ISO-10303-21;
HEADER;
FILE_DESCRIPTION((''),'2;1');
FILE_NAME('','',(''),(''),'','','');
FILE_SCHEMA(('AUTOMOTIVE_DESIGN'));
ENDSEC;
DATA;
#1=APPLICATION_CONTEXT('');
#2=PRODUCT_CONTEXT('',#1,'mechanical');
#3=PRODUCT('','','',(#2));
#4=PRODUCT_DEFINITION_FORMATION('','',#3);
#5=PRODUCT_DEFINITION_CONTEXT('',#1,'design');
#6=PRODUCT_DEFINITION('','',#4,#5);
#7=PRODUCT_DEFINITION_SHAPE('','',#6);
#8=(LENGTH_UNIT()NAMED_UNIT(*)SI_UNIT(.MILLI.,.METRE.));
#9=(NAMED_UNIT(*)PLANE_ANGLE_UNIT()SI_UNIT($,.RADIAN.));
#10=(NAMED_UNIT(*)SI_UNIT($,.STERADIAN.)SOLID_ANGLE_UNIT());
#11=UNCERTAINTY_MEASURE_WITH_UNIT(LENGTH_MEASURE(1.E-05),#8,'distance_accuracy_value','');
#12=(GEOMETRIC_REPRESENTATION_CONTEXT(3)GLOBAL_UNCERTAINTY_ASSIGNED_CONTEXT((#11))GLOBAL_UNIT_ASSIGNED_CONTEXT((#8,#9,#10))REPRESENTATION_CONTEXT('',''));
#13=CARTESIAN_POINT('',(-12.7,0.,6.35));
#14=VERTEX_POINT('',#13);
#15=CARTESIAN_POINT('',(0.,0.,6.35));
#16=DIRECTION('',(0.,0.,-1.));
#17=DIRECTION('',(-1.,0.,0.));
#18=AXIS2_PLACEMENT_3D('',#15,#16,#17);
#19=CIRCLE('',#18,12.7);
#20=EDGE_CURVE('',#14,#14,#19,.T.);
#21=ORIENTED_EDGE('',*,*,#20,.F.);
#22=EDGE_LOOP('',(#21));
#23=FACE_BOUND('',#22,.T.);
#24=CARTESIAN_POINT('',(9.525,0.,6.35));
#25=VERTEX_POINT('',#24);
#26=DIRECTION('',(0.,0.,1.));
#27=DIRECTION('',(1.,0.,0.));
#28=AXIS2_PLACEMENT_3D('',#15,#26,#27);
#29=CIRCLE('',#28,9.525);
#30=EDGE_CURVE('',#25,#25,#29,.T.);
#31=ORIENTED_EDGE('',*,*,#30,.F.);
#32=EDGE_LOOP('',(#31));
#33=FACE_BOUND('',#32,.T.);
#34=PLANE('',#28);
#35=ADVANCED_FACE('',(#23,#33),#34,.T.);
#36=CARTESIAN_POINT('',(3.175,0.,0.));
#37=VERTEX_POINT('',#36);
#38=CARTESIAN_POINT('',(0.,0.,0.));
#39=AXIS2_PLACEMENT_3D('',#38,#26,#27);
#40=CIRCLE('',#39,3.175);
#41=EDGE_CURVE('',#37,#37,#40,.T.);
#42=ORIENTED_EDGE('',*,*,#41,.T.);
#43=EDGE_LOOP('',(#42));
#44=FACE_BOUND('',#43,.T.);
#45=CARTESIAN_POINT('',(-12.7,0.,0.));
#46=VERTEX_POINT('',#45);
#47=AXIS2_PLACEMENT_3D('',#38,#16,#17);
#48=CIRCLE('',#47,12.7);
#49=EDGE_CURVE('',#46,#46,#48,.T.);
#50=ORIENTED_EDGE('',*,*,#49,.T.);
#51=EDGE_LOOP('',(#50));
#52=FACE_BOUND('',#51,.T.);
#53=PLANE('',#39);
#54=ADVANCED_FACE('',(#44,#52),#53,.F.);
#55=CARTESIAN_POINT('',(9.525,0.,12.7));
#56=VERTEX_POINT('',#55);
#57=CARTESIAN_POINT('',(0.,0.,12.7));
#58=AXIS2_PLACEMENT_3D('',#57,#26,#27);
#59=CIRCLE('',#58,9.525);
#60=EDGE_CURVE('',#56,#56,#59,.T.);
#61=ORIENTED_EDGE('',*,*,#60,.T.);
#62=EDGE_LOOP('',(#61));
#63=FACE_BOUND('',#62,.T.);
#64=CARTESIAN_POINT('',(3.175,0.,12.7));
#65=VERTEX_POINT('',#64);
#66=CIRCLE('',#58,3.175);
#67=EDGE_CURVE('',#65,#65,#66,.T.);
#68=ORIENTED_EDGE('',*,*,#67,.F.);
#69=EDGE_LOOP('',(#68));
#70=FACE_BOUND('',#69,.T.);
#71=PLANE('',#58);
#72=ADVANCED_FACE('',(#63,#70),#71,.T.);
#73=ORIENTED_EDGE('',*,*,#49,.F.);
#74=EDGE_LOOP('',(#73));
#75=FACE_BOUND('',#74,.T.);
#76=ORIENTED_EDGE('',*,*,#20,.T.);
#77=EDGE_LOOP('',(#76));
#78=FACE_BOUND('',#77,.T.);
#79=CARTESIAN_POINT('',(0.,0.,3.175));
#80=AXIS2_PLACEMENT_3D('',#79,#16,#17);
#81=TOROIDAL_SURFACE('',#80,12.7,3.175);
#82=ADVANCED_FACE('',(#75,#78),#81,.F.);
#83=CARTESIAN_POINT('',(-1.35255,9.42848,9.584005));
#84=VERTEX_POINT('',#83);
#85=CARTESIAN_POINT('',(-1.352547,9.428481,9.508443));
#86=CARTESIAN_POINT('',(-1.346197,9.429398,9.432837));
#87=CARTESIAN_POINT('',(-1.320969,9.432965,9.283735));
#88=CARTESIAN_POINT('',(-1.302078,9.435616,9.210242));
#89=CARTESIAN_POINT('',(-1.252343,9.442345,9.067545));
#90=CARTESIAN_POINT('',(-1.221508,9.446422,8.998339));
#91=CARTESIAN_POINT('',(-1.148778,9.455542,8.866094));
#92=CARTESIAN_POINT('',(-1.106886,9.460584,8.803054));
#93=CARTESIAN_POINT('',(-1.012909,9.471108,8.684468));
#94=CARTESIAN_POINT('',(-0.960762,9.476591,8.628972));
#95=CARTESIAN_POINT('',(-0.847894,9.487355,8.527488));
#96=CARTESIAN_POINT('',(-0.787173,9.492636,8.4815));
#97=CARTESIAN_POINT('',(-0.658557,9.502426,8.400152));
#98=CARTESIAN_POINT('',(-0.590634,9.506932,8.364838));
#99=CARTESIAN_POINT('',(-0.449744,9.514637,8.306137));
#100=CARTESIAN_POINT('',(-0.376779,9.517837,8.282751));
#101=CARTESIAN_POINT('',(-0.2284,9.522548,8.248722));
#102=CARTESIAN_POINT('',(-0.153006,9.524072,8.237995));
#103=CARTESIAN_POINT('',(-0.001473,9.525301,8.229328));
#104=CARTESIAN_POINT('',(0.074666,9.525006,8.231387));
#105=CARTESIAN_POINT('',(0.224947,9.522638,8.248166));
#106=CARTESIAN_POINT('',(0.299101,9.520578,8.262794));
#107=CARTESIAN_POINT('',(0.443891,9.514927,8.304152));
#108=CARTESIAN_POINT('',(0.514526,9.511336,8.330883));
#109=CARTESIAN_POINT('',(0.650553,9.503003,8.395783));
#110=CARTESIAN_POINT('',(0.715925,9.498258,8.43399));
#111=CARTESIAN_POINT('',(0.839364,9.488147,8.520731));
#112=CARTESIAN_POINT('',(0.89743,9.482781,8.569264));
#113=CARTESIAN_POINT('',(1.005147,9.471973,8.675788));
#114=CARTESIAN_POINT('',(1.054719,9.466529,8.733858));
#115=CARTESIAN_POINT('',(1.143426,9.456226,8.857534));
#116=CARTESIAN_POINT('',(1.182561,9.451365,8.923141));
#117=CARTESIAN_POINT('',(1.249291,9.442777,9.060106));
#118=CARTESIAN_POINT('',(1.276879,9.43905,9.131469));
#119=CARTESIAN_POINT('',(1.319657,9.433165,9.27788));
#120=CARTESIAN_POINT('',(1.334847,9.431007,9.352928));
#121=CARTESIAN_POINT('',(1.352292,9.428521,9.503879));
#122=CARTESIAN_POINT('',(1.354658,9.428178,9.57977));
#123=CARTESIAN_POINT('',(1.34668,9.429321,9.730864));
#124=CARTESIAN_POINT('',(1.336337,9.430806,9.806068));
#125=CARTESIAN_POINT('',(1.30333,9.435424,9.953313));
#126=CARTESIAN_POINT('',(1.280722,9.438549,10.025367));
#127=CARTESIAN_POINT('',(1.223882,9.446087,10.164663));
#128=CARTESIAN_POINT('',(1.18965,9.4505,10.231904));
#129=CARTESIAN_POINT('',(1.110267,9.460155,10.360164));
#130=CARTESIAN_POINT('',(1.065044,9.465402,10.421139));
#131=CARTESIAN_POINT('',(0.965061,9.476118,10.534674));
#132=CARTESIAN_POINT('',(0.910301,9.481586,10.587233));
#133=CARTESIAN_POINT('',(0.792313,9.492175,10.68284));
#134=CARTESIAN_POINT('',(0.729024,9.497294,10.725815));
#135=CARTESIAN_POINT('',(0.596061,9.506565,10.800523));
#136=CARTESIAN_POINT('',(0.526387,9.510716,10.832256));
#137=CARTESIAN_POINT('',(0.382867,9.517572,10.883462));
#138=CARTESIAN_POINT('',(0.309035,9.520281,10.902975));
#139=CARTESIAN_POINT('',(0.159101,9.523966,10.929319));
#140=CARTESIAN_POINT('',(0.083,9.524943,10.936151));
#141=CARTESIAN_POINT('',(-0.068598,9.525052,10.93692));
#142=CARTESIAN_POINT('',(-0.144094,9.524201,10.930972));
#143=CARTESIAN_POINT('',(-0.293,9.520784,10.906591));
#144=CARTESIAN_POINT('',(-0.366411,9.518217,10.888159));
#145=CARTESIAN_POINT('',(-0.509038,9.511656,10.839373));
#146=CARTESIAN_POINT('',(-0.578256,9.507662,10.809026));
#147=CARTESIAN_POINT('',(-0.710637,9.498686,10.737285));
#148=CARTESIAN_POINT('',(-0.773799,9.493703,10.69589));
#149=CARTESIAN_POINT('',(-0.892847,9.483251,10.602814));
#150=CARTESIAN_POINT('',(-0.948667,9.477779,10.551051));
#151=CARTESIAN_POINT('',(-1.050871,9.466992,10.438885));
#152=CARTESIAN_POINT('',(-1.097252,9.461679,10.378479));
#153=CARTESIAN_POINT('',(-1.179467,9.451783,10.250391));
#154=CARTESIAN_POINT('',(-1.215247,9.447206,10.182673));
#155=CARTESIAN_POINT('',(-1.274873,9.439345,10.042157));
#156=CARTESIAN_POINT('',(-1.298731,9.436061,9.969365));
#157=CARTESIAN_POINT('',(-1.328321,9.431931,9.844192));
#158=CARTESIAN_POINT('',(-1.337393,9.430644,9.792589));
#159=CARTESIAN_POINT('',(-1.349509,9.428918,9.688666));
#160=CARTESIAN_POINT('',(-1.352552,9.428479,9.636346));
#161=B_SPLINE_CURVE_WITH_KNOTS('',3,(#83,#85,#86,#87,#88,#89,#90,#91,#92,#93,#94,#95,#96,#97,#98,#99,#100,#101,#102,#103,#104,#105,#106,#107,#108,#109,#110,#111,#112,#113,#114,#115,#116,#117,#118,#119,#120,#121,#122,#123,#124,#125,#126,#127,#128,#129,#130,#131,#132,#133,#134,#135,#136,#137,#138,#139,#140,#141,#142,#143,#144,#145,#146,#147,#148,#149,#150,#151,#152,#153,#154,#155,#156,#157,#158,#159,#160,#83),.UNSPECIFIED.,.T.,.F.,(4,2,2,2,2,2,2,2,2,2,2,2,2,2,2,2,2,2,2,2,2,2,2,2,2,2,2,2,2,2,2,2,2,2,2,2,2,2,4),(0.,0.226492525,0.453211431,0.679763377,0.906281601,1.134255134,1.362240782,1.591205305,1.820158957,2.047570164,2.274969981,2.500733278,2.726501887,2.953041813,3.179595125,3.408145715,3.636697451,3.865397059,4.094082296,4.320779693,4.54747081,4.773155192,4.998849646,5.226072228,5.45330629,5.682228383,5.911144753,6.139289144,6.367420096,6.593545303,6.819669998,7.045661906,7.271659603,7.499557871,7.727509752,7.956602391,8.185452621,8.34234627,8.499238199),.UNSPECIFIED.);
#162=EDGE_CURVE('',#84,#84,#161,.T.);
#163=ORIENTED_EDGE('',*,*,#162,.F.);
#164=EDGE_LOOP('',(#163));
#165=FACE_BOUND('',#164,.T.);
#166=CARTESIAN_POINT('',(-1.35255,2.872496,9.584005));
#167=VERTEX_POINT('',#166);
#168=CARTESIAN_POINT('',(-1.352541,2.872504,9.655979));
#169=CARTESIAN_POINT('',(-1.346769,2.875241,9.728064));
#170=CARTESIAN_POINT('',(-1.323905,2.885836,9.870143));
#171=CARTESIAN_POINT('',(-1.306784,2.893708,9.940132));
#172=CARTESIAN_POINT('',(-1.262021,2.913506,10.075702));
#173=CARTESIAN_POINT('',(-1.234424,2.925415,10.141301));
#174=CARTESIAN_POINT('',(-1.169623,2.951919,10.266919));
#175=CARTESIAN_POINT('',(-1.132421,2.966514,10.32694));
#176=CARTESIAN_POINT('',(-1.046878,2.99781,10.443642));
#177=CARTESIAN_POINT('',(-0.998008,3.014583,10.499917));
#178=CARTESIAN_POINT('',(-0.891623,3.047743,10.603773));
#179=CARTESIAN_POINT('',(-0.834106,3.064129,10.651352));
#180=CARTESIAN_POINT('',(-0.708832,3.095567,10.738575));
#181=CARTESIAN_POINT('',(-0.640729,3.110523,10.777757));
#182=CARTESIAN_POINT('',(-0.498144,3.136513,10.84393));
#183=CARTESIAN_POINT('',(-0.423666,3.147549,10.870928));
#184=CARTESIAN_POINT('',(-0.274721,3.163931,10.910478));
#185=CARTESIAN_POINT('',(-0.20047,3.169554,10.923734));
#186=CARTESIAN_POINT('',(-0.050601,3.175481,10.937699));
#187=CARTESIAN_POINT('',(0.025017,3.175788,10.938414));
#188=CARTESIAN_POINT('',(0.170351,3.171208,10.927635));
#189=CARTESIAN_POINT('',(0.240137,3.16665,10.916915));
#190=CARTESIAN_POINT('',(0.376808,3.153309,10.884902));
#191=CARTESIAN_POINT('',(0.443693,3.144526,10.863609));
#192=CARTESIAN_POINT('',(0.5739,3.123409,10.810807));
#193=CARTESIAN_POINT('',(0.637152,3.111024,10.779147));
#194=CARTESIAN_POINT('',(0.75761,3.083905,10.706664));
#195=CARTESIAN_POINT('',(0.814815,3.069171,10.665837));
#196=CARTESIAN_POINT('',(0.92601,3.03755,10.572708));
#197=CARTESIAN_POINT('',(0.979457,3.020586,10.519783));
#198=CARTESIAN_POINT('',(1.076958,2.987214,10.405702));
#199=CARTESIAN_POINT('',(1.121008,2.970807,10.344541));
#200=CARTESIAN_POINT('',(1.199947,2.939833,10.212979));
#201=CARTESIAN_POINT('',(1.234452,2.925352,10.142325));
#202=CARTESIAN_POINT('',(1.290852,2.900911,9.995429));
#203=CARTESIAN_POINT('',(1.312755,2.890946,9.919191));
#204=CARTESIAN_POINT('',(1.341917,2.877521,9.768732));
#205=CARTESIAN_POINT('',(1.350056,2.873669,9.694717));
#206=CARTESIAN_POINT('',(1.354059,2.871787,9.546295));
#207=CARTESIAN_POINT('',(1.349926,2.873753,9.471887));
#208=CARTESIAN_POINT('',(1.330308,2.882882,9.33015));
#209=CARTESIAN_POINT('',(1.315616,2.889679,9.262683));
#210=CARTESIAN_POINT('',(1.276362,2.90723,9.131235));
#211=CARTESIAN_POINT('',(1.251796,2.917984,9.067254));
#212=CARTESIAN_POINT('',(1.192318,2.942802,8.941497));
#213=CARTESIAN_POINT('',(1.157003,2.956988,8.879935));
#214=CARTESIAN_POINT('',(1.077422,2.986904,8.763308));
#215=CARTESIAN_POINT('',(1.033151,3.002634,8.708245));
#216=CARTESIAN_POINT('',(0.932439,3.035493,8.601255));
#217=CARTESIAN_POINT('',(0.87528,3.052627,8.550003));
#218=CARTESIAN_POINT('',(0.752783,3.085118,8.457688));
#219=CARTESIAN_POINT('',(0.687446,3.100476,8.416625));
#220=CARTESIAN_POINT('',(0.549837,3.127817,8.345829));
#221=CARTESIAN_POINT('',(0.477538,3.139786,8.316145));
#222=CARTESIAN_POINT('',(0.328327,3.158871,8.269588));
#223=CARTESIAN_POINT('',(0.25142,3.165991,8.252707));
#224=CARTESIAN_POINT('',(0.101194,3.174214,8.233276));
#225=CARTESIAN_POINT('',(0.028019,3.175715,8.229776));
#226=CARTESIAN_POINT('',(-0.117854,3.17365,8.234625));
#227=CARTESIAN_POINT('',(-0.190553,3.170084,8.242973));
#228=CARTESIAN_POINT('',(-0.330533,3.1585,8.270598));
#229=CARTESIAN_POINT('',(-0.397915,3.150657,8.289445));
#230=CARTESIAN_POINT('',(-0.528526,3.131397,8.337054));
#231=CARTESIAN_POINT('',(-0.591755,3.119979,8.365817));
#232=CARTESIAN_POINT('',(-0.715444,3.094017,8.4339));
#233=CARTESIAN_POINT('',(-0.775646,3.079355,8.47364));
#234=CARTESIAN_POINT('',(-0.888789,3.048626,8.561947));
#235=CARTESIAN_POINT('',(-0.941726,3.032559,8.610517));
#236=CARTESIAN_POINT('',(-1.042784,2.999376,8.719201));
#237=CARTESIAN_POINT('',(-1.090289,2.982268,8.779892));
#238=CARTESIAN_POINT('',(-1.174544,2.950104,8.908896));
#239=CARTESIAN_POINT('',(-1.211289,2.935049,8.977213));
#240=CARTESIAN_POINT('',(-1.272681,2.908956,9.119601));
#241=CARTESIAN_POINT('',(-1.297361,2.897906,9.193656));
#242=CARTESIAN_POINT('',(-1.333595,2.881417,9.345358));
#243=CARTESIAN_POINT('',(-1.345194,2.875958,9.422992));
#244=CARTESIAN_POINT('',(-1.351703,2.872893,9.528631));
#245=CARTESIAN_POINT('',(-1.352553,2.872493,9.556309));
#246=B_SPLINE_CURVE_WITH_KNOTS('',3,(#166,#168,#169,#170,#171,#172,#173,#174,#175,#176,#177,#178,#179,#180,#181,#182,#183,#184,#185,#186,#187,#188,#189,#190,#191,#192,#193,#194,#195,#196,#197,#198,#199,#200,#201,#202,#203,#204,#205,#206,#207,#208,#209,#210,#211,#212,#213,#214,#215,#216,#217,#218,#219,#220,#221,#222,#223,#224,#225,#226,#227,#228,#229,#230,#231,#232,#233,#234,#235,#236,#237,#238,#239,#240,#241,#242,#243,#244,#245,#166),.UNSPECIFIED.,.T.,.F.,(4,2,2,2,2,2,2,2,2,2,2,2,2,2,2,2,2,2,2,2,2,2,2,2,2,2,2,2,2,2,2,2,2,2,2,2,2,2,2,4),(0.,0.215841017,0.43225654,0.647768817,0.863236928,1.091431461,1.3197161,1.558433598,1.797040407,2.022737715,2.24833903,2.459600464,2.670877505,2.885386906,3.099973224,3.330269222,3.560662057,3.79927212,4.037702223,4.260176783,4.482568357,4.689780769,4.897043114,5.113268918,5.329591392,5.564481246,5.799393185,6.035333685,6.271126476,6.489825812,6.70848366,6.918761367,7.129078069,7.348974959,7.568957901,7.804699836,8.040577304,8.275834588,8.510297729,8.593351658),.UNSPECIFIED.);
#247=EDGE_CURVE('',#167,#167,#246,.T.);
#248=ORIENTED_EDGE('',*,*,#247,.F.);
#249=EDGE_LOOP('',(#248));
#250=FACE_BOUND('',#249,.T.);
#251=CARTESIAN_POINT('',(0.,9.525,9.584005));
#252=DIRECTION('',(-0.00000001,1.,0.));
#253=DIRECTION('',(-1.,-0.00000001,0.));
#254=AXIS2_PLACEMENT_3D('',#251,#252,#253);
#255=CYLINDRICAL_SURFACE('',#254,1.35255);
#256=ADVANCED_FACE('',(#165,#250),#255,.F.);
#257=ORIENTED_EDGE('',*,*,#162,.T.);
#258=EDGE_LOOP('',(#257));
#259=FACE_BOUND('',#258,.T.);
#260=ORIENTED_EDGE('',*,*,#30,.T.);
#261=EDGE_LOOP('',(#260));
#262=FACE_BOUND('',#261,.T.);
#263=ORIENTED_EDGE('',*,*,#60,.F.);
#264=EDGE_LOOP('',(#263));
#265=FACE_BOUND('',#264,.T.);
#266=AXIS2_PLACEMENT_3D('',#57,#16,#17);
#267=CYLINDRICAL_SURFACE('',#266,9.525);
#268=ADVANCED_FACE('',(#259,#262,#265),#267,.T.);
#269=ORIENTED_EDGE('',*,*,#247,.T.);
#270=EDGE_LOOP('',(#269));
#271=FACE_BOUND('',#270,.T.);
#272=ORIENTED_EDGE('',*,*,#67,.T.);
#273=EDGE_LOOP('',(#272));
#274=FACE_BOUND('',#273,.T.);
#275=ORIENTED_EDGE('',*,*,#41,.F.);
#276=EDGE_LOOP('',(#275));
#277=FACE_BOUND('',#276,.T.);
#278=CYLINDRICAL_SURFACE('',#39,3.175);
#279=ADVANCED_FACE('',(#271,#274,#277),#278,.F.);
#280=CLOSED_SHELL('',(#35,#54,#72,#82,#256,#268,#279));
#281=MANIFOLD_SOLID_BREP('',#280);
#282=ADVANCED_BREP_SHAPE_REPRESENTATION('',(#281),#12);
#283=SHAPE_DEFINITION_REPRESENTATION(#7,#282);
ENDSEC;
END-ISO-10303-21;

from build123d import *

# Parameters (mm, degrees)
SKETCH1_R                 = 12.7
BOSS_EXTRUDE1_DEPTH       = 6.35
SKETCH2_R                 = 9.525
BOSS_EXTRUDE2_DEPTH       = 6.35
SKETCH3_R                 = 3.175
CUT_EXTRUDE1_DEPTH        = 12.7
F_6_32_TAPPED_HOLE1_D     = 2.7051
F_6_32_TAPPED_HOLE1_DEPTH = 9.524
F_6_32_TAPPED_HOLE1_TIP   = 0.81269403


with BuildPart() as part:
    # Sketch1 → Boss-Extrude1 (new body)
    with BuildSketch(Plane.XY):
        Circle(SKETCH1_R)
    extrude(amount=BOSS_EXTRUDE1_DEPTH)

    # Sketch2 → Boss-Extrude2 (add)
    with BuildSketch(Plane.XY.offset(6.35)):
        Circle(SKETCH2_R)
    extrude(amount=BOSS_EXTRUDE2_DEPTH)

    # Sketch3 → Cut-Extrude1 (cut)
    with BuildSketch(Plane.XY.offset(12.7)):
        Circle(SKETCH3_R)
    extrude(amount=-CUT_EXTRUDE1_DEPTH, mode=Mode.SUBTRACT)

    # Sketch4 → Cut-Revolve1 (revolve, cut)
    with BuildSketch(Plane(origin=(0, 0, 0), x_dir=(1, 0, 0), z_dir=(0, 1, 0)), mode=Mode.PRIVATE) as cut_revolve1_sk:
        with BuildLine():
            Line((12.7, 0), (12.7, -6.35))
            ThreePointArc((12.7, -6.35), (9.525, -3.175), (12.7, 0))
        make_face()
    revolve(cut_revolve1_sk.sketch.rotate(Axis((0, 0, -3.575887172), (0, 0, 1)), 180), axis=Axis((0, 0, -3.575887172), (0, 0, 1)), mode=Mode.SUBTRACT)

    # #6-32 Tapped Hole1
    with Locations(Plane(origin=(-9.4e-08, 9.525, 9.584004604), x_dir=(1.0, 9.833e-09, 0), z_dir=(-9.833e-09, 1.0, 0))):
        with Locations((0, 0)):
            Hole(F_6_32_TAPPED_HOLE1_D / 2, depth=F_6_32_TAPPED_HOLE1_DEPTH)
            with Locations((0, 0, -(F_6_32_TAPPED_HOLE1_DEPTH + F_6_32_TAPPED_HOLE1_TIP / 2))):  # 118° drill point
                Cone(0, F_6_32_TAPPED_HOLE1_D / 2, F_6_32_TAPPED_HOLE1_TIP, mode=Mode.SUBTRACT)


solid = part.part
